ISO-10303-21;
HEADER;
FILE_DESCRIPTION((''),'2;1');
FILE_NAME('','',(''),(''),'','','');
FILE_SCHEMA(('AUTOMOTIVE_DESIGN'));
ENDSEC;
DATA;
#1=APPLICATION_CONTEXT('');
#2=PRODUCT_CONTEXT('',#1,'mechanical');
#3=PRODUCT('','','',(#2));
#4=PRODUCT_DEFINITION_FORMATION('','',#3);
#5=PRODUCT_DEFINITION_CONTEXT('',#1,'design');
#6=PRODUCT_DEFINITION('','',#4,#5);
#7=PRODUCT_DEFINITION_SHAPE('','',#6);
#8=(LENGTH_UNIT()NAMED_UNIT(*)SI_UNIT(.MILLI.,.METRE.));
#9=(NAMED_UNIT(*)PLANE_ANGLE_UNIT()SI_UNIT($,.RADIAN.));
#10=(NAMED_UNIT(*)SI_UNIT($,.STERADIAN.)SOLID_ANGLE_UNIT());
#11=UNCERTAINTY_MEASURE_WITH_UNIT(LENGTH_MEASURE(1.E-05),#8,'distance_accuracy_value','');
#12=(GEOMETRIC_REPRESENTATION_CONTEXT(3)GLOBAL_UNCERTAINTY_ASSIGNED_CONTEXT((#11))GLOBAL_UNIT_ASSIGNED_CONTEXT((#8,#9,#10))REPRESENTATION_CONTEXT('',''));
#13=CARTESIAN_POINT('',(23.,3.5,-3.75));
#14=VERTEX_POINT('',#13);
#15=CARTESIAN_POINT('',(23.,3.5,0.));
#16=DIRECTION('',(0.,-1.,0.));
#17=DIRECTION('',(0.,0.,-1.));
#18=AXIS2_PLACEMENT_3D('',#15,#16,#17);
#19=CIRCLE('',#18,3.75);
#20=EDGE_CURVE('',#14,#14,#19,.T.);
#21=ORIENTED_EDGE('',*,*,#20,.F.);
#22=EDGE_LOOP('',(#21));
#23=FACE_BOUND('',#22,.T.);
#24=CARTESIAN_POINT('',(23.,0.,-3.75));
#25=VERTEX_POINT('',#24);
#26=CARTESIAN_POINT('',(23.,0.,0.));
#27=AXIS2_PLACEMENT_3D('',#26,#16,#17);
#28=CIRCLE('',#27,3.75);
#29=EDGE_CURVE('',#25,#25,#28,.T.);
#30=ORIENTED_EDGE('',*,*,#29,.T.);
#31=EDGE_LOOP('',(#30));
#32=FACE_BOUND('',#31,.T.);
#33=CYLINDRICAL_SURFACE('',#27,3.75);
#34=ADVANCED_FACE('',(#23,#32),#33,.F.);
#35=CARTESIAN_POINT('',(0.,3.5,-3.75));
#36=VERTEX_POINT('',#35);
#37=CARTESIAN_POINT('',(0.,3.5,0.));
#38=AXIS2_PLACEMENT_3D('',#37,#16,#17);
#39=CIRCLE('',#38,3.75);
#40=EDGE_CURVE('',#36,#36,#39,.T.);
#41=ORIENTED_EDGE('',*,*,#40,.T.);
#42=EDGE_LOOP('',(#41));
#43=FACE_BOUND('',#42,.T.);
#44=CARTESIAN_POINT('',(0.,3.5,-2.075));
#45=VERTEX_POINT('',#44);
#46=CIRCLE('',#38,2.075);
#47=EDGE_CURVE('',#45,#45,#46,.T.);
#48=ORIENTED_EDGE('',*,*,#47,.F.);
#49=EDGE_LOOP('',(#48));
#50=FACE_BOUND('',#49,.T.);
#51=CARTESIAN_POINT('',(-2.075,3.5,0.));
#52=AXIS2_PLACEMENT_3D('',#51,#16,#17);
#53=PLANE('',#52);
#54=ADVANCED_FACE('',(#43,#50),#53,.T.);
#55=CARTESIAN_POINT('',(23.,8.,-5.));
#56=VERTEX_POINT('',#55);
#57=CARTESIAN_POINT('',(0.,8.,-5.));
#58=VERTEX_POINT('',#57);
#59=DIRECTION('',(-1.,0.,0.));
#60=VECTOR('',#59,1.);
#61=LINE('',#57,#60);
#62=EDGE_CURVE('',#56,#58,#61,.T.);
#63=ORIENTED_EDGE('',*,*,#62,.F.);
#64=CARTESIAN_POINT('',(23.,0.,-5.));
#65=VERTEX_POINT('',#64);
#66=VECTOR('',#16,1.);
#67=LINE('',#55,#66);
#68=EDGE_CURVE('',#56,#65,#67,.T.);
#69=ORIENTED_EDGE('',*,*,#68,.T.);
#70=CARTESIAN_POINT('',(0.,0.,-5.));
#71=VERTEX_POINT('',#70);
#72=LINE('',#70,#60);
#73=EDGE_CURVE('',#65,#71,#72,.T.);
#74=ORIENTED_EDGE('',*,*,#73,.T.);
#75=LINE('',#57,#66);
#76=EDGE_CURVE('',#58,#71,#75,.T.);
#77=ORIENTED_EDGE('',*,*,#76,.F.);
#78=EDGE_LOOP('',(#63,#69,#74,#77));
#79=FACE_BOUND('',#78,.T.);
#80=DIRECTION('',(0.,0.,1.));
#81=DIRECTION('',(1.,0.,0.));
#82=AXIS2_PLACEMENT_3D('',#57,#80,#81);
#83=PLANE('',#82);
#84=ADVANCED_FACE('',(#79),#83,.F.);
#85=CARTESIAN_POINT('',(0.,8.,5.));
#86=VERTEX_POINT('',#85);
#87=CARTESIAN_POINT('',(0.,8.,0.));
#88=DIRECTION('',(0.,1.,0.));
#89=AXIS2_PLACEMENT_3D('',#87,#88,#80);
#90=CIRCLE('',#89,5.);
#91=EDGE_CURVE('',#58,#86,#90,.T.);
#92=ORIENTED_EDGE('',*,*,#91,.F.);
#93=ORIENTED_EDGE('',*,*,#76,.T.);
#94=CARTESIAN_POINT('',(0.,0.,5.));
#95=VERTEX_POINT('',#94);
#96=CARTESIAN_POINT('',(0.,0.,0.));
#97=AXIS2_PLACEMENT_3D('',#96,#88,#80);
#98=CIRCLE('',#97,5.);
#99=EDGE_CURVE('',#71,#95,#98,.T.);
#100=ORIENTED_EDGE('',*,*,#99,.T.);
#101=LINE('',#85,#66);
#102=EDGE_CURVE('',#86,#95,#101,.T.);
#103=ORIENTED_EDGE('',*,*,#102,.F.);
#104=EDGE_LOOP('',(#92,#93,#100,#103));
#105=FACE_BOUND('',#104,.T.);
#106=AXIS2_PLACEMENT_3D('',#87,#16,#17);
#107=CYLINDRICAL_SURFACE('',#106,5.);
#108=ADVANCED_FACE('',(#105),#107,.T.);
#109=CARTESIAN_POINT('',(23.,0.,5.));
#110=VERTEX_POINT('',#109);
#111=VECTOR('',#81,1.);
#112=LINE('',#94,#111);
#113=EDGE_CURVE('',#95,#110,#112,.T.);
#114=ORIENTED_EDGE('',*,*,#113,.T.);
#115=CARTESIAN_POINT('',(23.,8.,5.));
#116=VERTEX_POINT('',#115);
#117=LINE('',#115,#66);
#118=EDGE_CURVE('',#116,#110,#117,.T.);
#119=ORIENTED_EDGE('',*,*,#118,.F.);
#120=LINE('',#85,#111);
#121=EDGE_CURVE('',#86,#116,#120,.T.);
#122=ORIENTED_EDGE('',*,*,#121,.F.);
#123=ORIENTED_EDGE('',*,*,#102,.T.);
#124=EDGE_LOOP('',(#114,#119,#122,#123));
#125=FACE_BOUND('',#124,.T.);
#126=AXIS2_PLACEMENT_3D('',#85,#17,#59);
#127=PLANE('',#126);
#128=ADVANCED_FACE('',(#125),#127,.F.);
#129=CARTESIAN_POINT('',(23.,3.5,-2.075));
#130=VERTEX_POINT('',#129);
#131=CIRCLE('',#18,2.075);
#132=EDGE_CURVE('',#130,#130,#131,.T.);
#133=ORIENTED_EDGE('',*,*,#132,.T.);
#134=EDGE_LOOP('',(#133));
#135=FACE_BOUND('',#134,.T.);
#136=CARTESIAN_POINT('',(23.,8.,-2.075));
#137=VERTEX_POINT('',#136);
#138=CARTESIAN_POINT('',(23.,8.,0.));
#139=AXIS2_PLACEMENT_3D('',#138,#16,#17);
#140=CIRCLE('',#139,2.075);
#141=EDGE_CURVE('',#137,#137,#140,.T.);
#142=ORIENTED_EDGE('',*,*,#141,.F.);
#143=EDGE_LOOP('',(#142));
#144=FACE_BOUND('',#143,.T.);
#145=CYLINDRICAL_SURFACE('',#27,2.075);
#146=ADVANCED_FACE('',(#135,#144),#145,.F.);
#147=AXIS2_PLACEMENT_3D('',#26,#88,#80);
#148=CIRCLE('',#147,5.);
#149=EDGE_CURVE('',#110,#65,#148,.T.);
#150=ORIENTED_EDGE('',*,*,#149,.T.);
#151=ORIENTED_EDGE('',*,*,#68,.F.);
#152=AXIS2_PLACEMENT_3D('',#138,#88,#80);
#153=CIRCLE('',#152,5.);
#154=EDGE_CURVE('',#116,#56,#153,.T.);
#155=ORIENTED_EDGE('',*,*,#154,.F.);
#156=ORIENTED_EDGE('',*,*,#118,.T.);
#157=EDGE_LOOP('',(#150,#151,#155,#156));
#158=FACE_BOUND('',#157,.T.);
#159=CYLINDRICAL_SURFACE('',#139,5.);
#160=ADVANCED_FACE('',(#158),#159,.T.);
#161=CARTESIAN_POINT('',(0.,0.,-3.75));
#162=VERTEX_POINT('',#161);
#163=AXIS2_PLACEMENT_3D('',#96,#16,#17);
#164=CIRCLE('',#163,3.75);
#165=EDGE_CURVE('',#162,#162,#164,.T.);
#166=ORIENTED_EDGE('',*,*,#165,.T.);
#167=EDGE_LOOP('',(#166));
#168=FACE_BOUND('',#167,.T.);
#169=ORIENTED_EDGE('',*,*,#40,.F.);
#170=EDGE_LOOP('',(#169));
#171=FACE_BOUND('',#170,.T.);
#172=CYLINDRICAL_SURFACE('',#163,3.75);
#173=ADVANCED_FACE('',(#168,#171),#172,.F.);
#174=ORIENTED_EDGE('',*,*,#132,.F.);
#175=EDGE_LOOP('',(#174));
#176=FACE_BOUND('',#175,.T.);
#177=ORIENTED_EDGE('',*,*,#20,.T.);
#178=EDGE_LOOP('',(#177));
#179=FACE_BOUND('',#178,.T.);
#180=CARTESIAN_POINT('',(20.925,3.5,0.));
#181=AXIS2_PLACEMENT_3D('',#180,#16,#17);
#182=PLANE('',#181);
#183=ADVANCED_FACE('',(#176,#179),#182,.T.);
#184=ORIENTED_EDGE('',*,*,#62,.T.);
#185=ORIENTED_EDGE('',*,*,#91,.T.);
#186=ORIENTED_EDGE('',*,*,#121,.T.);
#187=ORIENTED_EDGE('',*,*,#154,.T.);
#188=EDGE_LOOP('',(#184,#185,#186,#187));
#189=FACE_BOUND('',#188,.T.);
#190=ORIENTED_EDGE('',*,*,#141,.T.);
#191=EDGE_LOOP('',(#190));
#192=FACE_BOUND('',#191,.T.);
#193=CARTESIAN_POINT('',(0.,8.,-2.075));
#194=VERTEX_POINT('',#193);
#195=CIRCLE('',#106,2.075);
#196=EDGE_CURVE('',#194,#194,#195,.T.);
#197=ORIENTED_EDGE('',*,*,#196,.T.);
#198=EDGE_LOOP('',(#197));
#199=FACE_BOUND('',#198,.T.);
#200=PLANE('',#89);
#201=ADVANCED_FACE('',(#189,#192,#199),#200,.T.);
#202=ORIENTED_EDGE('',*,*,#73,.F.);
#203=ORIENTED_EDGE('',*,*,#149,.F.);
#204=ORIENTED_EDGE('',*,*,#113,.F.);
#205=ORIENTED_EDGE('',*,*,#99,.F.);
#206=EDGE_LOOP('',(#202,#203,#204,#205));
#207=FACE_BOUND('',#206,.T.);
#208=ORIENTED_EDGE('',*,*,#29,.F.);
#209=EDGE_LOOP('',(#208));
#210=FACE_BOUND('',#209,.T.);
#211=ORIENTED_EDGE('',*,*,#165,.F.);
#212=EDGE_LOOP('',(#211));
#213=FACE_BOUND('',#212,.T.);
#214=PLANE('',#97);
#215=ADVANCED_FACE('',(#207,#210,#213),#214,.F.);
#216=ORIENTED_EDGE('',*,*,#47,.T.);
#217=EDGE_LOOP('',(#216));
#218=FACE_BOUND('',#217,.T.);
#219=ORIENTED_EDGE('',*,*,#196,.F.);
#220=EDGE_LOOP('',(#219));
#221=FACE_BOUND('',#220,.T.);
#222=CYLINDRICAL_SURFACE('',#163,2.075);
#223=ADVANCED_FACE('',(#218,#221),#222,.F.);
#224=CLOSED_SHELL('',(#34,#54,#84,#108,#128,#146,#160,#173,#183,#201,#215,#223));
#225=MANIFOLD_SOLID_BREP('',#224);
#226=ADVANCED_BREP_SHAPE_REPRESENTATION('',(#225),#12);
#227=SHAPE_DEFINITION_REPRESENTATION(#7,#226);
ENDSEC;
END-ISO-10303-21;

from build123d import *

# Parameters (mm, degrees)
EXTRUDE_1_DEPTH = 8


with BuildPart() as part:
    # 草图1 → 凸台-拉伸1 (new body)
    with BuildSketch(Plane(origin=(0, 0, 0), x_dir=(1, 0, 0), z_dir=(0, 1, 0))):
        with BuildLine():
            Line((0, 5), (23, 5))
            ThreePointArc((23, 5), (28, 0), (23, -5))
            Line((23, -5), (0, -5))
            ThreePointArc((0, -5), (-5, 0), (0, 5))
        make_face()
    extrude(amount=EXTRUDE_1_DEPTH)

    # 草图2 → 切除-旋转1 (revolve, cut)
    with BuildSketch(Plane.XY):
        Polygon((0, 8), (-2.075, 8), (-2.075, 3.5), (-3.75, 3.5), (-3.75, 0), (0, 0), align=None)
    revolve(axis=Axis((0, 0, 0), (0, 1, 0)), mode=Mode.SUBTRACT)

    # 草图3 → 切除-旋转2 (revolve, cut)
    with BuildSketch(Plane.XY):
        Polygon((23, 8), (20.925, 8), (20.925, 3.5), (19.25, 3.5), (19.25, 0), (23, 0), align=None)
    revolve(axis=Axis((23, 0, 0), (0, 1, 0)), mode=Mode.SUBTRACT)


solid = part.part
